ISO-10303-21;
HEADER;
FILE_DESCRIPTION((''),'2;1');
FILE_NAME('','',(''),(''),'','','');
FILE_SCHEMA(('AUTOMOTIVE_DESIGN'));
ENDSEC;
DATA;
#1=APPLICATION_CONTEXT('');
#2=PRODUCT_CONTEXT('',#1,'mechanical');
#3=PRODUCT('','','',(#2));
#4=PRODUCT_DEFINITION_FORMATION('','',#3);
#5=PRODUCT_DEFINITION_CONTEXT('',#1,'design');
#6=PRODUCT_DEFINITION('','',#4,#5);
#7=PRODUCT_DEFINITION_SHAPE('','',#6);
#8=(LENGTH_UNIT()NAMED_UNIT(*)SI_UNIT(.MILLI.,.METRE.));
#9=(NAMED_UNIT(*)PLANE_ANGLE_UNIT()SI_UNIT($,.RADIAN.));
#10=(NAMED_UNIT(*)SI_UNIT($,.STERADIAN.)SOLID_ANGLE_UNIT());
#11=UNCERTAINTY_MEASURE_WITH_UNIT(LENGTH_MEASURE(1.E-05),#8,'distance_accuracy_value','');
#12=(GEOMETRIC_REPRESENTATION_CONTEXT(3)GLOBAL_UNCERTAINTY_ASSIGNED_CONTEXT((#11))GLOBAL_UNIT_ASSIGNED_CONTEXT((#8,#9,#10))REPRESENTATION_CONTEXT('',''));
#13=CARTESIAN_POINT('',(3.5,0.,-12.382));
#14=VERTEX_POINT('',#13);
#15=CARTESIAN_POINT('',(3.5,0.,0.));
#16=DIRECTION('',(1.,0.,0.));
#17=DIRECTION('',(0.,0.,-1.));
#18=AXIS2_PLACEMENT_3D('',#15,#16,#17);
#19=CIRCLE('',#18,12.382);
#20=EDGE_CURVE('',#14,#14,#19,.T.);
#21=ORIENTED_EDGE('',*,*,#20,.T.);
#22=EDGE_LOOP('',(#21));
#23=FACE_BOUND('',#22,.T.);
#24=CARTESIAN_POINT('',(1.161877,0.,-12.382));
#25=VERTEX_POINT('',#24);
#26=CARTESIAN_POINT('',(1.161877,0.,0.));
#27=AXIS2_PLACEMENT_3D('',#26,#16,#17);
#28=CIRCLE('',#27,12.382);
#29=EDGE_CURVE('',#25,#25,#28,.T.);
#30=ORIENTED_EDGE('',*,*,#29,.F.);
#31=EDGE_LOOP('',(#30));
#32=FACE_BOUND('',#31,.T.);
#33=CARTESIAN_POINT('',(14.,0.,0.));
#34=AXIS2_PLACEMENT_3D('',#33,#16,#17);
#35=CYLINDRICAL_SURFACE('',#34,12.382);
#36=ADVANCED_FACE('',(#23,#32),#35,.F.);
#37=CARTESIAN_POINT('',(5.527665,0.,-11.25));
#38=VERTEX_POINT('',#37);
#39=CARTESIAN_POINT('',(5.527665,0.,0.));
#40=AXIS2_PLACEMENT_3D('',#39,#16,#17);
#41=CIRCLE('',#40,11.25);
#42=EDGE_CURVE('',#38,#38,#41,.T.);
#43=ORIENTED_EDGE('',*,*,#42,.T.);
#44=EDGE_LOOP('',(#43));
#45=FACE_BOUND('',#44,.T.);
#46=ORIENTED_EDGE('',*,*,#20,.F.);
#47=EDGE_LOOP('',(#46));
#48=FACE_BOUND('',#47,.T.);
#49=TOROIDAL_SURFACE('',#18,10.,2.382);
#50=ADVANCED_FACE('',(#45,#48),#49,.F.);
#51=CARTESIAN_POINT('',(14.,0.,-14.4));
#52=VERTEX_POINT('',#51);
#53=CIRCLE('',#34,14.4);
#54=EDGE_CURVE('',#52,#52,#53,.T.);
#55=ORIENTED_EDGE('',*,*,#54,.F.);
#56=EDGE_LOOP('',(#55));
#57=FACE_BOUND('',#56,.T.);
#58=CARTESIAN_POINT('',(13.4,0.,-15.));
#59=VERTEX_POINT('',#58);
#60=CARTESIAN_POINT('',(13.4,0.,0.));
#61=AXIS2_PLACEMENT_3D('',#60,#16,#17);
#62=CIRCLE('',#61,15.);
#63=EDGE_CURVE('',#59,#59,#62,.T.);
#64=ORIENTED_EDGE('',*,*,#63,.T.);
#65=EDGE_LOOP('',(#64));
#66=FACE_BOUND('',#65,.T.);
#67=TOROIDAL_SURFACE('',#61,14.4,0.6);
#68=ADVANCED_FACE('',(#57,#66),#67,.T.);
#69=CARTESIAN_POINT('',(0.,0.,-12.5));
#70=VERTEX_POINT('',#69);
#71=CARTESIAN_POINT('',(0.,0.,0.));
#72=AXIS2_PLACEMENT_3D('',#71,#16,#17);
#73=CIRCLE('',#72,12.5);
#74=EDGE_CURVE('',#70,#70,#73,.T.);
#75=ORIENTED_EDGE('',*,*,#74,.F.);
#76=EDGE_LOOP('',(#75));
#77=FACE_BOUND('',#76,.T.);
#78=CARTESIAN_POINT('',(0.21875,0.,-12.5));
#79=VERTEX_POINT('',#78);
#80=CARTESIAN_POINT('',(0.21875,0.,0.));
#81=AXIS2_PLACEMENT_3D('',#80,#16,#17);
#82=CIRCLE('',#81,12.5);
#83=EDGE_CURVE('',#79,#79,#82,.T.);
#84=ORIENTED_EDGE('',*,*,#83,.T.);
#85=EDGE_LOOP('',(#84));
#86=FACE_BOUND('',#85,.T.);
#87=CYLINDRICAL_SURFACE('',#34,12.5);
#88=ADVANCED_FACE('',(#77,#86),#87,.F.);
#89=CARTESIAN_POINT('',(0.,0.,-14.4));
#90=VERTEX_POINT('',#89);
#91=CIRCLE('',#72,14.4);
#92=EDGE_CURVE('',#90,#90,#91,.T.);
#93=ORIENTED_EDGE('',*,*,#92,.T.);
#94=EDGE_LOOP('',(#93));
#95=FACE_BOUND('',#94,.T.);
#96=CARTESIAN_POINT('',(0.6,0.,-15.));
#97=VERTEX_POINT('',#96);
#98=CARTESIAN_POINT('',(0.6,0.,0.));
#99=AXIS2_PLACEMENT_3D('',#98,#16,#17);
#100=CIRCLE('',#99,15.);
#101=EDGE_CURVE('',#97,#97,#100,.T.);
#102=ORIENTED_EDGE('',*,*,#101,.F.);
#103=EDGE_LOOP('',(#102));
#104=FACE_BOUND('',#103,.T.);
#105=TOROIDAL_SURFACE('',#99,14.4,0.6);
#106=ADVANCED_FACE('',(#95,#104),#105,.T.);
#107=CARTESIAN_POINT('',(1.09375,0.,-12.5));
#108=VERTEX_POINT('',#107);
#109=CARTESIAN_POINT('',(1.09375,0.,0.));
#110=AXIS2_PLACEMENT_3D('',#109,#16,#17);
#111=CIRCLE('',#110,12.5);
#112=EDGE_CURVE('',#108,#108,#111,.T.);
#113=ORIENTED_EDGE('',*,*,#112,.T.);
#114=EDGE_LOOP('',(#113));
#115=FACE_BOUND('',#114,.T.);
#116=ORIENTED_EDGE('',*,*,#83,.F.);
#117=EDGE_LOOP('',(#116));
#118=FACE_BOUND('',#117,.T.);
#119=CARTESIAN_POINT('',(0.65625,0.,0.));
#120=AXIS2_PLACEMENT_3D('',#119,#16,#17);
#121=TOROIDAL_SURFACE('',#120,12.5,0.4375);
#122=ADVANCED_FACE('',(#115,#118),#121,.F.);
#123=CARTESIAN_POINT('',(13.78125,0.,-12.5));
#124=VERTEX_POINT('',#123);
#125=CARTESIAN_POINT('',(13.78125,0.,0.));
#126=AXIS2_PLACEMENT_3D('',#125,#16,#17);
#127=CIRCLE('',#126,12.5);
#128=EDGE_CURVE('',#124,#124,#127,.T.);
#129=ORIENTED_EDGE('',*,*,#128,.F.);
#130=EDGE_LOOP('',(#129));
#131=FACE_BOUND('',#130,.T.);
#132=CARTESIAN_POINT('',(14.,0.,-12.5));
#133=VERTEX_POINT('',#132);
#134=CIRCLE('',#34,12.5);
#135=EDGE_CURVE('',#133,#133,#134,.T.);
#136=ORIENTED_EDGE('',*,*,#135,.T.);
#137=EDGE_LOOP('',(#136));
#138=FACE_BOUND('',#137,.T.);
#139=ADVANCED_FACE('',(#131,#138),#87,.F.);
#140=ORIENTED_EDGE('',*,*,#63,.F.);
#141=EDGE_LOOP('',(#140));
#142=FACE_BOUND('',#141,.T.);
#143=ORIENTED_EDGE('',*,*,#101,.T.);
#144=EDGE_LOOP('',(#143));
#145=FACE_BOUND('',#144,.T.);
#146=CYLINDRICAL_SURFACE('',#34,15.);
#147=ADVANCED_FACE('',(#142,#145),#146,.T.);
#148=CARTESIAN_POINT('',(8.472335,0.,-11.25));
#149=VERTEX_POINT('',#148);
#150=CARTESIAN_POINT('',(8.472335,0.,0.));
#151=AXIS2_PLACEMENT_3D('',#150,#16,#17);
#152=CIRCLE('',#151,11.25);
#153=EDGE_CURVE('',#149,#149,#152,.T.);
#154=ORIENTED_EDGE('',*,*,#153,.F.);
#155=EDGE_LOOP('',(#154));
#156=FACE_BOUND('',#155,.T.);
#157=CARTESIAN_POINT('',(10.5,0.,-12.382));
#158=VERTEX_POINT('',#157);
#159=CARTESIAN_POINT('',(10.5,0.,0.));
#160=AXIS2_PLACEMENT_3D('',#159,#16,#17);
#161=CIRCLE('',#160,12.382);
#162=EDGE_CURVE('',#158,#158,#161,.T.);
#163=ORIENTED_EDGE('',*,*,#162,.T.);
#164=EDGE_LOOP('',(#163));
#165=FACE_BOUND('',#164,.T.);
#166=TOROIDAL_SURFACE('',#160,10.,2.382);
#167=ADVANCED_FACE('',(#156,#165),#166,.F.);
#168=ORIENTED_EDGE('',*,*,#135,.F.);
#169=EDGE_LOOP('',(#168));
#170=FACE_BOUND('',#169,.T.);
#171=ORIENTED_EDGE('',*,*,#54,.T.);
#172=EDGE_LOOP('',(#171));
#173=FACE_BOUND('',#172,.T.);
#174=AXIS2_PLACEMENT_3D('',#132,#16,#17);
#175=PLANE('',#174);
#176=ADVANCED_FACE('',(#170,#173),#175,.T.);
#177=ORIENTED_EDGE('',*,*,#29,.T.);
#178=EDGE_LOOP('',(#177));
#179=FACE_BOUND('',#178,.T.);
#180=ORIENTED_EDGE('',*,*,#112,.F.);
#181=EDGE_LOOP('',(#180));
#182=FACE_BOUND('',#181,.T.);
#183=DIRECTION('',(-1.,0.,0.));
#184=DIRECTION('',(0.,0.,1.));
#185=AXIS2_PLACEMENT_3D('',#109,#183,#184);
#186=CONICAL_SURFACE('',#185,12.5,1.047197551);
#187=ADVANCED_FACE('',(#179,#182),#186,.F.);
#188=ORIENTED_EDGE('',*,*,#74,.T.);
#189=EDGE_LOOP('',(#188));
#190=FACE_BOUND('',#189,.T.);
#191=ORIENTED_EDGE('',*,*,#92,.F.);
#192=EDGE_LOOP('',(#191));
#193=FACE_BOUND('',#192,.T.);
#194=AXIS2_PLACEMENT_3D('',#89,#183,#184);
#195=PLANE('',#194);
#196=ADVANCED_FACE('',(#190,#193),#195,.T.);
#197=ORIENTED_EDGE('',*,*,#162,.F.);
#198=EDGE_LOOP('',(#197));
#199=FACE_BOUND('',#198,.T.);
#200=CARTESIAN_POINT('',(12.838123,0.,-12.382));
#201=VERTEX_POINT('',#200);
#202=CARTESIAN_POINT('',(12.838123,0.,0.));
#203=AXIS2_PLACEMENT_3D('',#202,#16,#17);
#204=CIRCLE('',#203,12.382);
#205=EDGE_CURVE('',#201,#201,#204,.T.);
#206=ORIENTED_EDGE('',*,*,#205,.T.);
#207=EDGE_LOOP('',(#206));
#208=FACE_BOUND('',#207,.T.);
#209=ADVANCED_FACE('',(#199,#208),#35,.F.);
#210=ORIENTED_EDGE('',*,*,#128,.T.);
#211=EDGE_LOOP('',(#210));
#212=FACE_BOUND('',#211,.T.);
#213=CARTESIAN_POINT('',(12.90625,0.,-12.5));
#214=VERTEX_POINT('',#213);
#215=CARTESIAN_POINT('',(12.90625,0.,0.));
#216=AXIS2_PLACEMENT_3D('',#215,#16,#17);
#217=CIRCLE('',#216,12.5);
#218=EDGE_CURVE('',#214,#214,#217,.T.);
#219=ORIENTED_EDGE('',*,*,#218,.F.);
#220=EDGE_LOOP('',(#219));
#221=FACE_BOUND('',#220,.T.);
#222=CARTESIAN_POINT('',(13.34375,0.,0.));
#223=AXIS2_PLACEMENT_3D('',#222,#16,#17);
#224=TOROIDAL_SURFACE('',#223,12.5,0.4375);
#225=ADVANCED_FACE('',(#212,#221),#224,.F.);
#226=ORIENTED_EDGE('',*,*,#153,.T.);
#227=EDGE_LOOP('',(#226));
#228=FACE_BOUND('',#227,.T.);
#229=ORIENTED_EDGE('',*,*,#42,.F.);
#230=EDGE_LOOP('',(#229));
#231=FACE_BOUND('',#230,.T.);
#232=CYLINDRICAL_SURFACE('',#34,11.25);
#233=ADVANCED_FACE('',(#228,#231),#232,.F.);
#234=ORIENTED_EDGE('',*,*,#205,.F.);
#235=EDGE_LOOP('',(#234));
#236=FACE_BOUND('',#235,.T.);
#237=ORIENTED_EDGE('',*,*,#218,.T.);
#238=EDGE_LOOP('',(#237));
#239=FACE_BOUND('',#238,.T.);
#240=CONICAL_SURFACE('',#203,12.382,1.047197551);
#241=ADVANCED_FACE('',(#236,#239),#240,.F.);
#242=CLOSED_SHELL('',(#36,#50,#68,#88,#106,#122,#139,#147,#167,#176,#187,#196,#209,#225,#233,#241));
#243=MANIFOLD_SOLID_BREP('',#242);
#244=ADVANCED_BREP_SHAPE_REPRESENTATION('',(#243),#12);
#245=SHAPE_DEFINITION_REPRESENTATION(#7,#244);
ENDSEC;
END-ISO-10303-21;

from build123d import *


with BuildPart() as part:
    # Sketch1 → Revolve1 (revolve)
    with BuildSketch(Plane(origin=(0, 0, 0), x_dir=(-1, 0, 0), z_dir=(0, 1, 0))):
        with BuildLine():
            Line((0, -12.5), (-0.21875, -12.5))
            ThreePointArc((-0.21875, -12.5), (-0.65625, -12.9375), (-1.09375, -12.5))
            Line((-1.09375, -12.5), (-1.161877332, -12.382))
            Line((-1.161877332, -12.382), (-3.5, -12.382))
            ThreePointArc((-3.5, -12.382), (-4.661125316, -12.079834609), (-5.527664667, -11.25))
            Line((-5.527664667, -11.25), (-8.472335333, -11.25))
            ThreePointArc((-8.472335333, -11.25), (-9.338874684, -12.079834609), (-10.5, -12.382))
            Line((-10.5, -12.382), (-12.838122668, -12.382))
            Line((-12.838122668, -12.382), (-12.90625, -12.5))
            ThreePointArc((-12.90625, -12.5), (-13.34375, -12.9375), (-13.78125, -12.5))
            Line((-13.78125, -12.5), (-14, -12.5))
            Line((-14, -12.5), (-14, -14.4))
            ThreePointArc((-14, -14.4), (-13.824264069, -14.824264069), (-13.4, -15))
            Line((-13.4, -15), (-0.6, -15))
            ThreePointArc((-0.6, -15), (-0.175735931, -14.824264069), (0, -14.4))
            Line((0, -14.4), (0, -12.5))
        make_face()
    revolve(axis=Axis((14, 0, 0), (-1, 0, 0)))


solid = part.part
